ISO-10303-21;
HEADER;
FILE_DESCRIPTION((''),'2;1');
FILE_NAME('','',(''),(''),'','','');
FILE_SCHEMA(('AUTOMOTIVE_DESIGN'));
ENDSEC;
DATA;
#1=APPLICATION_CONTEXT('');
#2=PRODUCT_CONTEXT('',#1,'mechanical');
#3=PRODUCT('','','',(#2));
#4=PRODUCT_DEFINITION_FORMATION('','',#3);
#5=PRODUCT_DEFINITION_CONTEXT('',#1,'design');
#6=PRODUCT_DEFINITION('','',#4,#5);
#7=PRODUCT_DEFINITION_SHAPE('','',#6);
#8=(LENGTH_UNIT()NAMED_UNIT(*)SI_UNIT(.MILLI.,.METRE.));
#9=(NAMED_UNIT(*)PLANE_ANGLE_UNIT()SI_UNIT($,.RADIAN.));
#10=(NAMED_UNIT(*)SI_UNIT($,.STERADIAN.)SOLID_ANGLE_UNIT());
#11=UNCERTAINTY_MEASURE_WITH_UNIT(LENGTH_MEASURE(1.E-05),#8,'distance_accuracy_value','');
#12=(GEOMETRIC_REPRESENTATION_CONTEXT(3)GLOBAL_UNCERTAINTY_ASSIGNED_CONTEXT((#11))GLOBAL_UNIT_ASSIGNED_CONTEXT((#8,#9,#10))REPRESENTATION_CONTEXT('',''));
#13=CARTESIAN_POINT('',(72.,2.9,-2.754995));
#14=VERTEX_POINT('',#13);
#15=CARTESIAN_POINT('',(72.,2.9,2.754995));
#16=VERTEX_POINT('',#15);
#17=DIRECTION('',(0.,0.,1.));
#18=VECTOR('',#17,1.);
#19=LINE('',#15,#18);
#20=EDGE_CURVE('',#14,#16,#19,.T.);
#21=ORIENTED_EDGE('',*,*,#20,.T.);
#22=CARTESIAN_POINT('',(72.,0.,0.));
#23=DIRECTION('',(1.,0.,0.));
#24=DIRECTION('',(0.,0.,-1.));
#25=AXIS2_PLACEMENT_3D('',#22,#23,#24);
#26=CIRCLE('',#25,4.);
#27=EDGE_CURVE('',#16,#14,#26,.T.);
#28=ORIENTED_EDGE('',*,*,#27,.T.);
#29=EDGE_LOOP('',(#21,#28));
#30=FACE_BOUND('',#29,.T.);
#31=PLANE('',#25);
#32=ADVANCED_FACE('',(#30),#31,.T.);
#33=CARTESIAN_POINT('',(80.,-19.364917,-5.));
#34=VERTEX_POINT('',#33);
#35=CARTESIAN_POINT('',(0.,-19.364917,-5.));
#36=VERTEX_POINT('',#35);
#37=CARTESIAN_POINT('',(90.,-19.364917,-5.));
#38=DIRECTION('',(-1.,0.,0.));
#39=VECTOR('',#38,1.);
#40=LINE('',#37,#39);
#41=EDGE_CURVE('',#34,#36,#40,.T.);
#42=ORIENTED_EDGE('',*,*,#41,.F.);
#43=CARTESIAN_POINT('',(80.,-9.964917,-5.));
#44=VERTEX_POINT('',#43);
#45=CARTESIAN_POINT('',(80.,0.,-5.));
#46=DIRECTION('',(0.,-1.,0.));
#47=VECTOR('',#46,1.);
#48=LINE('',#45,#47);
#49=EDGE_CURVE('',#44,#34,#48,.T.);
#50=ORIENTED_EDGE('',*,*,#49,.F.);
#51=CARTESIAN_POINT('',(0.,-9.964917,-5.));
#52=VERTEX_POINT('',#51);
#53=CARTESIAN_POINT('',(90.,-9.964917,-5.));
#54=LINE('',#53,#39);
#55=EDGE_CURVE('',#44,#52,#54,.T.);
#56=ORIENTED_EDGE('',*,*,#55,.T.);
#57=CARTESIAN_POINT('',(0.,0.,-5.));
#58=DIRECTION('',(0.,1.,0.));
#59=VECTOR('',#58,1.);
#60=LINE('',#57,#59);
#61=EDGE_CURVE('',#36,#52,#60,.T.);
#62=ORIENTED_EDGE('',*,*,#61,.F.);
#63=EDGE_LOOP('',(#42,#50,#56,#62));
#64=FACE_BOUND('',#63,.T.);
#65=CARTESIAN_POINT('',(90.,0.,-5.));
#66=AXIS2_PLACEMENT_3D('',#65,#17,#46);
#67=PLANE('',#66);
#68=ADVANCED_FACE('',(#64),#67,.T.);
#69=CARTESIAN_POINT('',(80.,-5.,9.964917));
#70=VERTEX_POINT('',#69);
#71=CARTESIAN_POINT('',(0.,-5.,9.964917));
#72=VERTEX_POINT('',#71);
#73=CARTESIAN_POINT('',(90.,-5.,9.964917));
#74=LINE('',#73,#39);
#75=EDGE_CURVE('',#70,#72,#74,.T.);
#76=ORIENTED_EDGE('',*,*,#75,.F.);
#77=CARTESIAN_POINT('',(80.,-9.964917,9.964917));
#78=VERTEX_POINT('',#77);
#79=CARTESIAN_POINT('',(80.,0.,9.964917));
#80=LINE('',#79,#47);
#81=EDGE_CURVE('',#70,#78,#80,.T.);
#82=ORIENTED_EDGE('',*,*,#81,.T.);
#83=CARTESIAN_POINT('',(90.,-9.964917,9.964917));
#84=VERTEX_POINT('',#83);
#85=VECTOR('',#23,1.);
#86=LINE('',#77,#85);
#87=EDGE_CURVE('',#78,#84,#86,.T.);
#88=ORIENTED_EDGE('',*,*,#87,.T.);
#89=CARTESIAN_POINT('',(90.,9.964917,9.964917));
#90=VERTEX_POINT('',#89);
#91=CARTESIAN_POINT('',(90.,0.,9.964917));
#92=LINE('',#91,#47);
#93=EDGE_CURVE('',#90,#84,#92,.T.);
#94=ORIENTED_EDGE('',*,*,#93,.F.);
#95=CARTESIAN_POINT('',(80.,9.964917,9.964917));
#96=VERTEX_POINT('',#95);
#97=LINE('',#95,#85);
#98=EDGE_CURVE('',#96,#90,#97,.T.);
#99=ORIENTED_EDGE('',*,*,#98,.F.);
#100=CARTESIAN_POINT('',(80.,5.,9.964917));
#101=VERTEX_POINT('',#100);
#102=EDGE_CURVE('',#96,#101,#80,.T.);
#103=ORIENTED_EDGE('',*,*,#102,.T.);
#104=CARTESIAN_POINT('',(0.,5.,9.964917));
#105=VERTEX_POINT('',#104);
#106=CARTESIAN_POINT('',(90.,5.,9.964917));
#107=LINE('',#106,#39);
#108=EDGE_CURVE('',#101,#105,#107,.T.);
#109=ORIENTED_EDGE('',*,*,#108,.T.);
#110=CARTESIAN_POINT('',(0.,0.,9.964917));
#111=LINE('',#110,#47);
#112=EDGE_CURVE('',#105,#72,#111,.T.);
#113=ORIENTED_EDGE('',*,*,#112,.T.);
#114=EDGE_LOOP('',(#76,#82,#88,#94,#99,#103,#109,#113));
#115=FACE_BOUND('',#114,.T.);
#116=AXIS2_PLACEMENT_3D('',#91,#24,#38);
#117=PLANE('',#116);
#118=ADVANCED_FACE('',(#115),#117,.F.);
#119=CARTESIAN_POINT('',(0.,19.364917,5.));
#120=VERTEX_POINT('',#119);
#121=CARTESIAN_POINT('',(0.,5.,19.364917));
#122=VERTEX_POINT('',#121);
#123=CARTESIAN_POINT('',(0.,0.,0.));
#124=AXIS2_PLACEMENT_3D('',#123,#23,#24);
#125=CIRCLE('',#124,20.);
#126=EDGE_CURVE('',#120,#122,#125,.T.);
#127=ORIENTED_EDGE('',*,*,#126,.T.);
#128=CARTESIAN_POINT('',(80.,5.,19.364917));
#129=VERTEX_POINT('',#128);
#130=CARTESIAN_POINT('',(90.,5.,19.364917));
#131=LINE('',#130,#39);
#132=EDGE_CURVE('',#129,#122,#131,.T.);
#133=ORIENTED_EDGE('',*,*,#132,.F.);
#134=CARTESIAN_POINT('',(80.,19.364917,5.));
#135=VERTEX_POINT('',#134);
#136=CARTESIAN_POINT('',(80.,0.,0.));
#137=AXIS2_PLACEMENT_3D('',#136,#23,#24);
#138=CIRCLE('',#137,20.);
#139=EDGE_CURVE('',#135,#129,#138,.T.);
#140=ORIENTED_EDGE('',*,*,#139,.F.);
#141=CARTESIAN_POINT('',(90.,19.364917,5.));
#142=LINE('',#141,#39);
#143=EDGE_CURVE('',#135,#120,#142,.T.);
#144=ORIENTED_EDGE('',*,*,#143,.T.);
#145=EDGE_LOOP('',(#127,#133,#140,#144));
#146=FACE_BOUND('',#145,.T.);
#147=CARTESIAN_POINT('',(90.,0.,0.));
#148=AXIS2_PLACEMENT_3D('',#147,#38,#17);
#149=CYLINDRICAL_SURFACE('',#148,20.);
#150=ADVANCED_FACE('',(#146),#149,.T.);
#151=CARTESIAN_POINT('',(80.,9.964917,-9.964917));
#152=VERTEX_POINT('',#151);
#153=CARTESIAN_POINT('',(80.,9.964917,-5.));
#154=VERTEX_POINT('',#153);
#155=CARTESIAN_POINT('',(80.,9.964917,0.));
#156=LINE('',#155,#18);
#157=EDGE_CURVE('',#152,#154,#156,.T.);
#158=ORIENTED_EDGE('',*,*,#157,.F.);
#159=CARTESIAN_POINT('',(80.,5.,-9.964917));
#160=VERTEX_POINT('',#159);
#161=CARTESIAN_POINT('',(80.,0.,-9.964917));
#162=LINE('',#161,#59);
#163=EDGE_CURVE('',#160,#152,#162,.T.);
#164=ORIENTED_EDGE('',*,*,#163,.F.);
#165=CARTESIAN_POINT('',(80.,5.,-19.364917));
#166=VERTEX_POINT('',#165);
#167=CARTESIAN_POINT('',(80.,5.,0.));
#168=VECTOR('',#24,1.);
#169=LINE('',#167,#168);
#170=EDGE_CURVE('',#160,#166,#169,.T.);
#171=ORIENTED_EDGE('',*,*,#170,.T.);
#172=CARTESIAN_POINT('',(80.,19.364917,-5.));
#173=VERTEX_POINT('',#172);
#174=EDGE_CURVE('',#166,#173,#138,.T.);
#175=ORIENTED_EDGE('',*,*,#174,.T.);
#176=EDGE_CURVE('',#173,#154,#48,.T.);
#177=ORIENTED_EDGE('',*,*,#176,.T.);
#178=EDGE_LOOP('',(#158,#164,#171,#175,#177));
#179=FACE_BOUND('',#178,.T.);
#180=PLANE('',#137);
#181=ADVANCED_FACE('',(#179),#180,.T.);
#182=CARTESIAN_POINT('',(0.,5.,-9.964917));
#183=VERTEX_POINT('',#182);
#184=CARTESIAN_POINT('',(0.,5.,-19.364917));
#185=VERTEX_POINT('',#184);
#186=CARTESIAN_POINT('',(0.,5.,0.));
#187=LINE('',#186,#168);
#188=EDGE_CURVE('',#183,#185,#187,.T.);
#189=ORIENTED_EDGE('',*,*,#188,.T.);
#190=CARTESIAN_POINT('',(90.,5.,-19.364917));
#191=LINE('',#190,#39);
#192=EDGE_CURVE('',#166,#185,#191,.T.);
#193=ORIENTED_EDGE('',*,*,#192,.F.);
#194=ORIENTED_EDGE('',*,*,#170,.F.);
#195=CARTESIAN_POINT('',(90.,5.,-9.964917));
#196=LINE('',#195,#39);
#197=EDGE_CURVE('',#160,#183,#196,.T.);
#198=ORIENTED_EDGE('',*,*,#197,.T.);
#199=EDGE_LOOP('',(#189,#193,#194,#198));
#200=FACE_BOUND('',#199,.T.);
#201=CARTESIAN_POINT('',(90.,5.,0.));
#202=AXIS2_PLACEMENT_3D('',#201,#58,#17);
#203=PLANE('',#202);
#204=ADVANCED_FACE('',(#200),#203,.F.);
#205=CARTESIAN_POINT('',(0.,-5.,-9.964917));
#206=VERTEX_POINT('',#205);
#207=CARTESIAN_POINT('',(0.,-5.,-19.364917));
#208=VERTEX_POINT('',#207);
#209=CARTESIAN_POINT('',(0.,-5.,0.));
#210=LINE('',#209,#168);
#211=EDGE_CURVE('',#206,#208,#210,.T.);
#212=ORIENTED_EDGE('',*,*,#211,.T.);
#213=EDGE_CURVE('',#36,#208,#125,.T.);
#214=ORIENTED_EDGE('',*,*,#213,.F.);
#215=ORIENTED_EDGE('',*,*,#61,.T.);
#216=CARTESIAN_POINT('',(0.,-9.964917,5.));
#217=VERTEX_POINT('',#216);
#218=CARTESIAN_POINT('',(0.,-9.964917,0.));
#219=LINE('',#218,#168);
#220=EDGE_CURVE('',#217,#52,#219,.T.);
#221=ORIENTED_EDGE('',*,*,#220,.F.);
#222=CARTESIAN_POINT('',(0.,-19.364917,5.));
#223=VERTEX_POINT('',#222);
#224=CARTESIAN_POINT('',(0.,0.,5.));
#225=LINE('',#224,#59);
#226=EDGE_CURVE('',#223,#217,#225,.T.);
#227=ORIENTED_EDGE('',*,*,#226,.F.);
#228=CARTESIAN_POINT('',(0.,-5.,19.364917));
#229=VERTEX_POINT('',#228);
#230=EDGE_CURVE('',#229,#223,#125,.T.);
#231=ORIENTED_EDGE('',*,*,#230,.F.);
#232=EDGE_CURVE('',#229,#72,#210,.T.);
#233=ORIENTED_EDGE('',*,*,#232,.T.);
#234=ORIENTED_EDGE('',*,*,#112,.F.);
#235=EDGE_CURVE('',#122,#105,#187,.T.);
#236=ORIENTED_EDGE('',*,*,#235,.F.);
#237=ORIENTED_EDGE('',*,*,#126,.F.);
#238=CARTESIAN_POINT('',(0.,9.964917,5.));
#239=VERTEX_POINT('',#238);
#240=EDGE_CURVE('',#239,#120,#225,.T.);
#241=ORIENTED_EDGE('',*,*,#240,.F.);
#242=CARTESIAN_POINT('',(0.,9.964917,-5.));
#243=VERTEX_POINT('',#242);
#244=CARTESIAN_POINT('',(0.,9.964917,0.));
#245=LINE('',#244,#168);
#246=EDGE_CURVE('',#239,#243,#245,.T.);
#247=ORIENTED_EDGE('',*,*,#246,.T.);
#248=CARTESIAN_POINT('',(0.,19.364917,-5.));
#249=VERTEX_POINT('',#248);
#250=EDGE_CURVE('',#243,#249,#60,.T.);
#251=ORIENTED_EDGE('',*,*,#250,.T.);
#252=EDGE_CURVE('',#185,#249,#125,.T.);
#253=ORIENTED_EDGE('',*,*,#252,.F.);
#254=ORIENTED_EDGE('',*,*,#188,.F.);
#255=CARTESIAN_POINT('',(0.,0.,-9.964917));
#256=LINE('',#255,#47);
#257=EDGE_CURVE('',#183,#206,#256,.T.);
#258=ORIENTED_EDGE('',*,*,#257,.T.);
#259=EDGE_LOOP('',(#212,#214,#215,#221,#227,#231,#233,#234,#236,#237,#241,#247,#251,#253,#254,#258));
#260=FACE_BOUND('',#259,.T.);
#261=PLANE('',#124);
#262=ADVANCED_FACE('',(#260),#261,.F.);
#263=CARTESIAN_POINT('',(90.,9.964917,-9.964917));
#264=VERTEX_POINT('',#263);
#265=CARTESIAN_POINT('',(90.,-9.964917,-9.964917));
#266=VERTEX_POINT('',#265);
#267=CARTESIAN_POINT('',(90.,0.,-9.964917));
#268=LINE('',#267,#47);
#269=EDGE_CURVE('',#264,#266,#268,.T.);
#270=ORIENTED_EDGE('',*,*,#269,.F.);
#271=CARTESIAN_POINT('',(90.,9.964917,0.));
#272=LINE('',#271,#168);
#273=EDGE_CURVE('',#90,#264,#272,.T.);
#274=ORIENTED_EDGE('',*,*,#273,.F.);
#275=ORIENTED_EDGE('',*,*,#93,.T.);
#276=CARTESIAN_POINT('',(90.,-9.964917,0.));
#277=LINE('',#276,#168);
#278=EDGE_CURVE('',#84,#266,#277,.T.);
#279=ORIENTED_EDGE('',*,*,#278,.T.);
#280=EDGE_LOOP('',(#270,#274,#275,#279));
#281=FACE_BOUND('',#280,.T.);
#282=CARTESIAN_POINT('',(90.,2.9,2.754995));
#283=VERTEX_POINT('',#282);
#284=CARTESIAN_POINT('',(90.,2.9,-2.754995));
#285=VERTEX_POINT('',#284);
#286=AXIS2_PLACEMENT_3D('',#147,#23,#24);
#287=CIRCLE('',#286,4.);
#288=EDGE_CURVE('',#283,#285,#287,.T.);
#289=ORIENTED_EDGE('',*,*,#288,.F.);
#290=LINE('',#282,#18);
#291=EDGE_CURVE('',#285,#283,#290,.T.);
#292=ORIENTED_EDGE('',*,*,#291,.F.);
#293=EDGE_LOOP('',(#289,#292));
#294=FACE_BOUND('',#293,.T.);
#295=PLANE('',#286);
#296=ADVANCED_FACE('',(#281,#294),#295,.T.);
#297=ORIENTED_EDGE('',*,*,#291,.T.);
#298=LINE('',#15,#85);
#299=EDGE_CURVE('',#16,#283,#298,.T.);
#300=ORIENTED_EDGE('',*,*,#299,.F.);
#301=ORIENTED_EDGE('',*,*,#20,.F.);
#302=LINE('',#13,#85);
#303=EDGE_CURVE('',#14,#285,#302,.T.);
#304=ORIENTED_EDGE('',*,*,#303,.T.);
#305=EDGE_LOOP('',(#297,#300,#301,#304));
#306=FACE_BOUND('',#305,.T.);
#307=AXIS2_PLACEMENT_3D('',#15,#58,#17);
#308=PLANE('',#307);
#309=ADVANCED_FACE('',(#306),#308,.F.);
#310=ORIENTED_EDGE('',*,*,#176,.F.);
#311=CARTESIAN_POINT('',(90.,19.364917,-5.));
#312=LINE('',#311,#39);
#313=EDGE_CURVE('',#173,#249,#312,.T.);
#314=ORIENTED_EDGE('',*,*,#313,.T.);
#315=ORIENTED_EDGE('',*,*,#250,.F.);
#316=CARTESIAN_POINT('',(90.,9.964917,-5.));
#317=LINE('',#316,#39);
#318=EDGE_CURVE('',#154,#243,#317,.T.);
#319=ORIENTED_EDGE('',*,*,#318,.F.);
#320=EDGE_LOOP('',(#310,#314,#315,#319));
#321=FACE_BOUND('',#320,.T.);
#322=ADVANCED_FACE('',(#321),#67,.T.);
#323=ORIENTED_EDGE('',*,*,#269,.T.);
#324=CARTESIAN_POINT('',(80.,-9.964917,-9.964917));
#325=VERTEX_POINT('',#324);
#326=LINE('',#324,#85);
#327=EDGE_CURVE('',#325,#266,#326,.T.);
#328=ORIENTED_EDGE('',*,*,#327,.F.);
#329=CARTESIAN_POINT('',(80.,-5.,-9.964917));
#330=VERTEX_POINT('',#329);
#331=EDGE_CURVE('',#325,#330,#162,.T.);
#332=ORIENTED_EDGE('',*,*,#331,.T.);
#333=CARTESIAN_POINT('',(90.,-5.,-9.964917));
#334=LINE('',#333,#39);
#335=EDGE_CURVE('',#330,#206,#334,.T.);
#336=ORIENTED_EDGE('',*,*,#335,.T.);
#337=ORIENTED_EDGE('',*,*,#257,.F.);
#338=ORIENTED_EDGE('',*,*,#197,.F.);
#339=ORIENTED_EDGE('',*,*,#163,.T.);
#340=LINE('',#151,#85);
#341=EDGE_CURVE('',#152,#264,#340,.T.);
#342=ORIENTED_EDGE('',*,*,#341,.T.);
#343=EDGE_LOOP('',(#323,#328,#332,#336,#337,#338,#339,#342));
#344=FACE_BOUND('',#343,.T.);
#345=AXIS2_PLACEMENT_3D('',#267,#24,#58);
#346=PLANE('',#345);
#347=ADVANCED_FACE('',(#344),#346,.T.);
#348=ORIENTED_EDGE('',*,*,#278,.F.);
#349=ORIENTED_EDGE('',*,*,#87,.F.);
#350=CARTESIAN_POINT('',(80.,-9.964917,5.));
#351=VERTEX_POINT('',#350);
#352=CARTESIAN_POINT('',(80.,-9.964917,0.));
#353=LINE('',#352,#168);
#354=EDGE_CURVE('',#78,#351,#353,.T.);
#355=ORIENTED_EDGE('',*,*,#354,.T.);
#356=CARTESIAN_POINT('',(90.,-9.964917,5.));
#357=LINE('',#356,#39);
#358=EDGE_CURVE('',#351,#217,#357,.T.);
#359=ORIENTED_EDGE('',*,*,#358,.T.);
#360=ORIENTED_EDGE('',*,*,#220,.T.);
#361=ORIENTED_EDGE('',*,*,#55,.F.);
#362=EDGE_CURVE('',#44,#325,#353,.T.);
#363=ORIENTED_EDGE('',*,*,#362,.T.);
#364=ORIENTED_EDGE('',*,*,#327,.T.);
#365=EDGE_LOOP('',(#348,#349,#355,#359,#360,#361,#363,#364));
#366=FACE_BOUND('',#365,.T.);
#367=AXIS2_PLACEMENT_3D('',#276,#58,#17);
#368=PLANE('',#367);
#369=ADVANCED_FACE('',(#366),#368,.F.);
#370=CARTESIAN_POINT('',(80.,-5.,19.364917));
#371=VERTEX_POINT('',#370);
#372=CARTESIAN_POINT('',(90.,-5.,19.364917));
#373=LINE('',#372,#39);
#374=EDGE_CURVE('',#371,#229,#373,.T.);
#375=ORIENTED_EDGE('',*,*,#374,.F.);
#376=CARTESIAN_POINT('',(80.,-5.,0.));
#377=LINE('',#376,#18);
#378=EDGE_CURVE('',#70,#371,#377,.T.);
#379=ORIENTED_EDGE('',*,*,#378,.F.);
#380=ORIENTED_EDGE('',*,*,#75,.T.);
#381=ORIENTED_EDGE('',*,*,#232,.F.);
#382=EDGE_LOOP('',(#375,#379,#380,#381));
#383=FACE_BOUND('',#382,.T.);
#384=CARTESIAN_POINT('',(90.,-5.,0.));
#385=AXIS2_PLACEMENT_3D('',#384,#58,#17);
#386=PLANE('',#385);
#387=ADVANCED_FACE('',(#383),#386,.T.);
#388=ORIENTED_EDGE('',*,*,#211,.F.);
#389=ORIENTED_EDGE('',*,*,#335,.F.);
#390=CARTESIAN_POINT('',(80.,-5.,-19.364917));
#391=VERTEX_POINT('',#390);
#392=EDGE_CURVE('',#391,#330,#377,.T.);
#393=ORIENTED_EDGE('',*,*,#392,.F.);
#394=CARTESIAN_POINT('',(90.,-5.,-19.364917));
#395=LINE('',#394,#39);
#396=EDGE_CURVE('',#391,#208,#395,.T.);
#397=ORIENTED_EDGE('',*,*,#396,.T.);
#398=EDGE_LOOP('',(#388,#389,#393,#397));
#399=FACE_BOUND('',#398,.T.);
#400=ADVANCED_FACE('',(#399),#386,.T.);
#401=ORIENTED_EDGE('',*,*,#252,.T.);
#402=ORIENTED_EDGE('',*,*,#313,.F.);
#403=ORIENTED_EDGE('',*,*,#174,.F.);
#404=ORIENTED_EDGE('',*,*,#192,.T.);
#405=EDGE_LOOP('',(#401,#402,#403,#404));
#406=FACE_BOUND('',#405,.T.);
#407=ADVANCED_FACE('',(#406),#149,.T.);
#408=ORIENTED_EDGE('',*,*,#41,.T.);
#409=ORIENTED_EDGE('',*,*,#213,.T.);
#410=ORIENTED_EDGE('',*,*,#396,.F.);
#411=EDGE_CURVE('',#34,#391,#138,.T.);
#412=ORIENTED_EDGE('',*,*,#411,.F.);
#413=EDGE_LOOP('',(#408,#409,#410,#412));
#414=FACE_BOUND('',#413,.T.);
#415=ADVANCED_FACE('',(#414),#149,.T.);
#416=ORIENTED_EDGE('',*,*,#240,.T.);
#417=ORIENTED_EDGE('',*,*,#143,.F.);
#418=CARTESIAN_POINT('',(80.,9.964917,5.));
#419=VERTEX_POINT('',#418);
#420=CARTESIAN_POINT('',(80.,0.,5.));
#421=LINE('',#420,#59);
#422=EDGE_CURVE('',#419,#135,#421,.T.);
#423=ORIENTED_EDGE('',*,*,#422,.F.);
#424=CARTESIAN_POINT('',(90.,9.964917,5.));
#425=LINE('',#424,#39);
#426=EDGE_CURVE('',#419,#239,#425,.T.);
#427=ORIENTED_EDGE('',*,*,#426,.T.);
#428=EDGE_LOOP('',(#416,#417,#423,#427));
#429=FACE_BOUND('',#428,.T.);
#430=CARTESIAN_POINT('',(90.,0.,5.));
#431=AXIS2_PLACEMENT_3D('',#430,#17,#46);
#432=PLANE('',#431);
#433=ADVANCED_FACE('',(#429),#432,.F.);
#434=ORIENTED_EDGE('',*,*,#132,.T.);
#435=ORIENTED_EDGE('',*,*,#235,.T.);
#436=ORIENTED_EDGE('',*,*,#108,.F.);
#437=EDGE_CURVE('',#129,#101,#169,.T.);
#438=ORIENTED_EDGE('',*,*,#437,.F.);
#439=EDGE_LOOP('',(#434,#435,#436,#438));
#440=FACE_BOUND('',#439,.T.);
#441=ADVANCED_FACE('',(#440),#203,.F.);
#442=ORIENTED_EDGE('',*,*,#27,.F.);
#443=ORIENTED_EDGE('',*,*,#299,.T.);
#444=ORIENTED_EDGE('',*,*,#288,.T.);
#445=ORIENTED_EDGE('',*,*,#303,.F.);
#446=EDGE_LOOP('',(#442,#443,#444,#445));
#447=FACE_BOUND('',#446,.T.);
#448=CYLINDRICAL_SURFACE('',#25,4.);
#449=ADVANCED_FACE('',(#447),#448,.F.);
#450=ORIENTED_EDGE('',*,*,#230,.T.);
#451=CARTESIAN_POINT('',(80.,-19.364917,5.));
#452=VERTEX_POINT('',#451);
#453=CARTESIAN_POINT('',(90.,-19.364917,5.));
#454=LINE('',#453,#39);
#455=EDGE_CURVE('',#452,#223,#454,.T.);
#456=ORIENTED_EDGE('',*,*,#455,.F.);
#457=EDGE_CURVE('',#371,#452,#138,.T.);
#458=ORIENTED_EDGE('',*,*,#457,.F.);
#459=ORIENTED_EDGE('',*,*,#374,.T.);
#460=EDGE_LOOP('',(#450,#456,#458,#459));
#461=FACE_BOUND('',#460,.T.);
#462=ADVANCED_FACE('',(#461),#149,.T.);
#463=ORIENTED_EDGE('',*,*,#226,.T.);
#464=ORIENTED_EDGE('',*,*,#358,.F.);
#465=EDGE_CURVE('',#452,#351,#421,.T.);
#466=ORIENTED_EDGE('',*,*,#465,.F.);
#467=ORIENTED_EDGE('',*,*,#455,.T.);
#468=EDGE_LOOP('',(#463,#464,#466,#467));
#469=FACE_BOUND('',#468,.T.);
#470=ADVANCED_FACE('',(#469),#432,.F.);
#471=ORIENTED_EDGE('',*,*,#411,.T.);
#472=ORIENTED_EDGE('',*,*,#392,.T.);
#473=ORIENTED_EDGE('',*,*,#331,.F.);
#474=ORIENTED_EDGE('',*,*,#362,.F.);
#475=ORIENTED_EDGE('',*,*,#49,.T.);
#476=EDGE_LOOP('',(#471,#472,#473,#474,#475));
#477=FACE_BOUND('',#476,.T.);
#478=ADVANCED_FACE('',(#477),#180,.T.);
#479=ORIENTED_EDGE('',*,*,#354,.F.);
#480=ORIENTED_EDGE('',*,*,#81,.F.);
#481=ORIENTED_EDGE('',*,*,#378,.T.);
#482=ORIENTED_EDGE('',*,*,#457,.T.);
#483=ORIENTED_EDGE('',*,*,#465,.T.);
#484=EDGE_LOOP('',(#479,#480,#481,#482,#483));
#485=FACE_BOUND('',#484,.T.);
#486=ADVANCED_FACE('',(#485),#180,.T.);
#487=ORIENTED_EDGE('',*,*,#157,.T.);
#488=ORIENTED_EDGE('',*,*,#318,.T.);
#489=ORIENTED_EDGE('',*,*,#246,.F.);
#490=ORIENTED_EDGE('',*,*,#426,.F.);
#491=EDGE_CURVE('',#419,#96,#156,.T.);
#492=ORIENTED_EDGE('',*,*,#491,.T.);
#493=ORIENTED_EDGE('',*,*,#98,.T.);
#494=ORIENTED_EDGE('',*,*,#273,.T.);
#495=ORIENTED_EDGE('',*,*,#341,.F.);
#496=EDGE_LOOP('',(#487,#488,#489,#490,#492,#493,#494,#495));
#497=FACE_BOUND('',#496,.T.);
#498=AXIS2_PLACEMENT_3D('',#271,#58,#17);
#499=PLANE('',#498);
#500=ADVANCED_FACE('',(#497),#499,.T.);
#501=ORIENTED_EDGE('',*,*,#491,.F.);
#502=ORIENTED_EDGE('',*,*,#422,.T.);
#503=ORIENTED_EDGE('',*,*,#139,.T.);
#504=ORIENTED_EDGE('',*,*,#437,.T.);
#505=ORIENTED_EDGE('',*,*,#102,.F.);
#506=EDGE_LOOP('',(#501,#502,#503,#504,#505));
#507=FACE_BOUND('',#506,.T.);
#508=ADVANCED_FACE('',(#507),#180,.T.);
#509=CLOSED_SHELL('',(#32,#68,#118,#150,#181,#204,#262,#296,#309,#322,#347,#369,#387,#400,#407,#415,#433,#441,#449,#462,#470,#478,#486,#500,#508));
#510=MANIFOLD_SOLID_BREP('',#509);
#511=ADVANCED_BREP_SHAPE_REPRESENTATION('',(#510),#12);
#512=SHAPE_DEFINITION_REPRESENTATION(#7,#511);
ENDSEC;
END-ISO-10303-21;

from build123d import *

# Parameters (mm, degrees)
EXTRUDED_CONNECTOR_DEPTH = 90
KEY_CUT_DEPTH            = 18
CUT_EXTRUDE2_DEPTH       = 10


with BuildPart() as part:
    # Sketch1 → Extruded Connector (new body)
    with BuildSketch(Plane(origin=(0, 0, 0), x_dir=(0, 0, -1), z_dir=(1, 0, 0))):
        with BuildLine():
            ThreePointArc((-19.364916731, -5), (-14.142135624, -14.142135624), (-5, -19.364916731))
            Line((-5, -19.364916731), (-5, -9.964916731))
            Line((-5, -9.964916731), (5, -9.964916731))
            Line((5, -9.964916731), (5, -19.364916731))
            ThreePointArc((5, -19.364916731), (14.142135624, -14.142135624), (19.364916731, -5))
            Line((19.364916731, -5), (9.964916731, -5))
            Line((9.964916731, -5), (9.964916731, 5))
            Line((9.964916731, 5), (19.364916731, 5))
            ThreePointArc((19.364916731, 5), (14.142135624, 14.142135624), (5, 19.364916731))
            Line((5, 19.364916731), (5, 9.964916731))
            Line((5, 9.964916731), (-5, 9.964916731))
            Line((-5, 9.964916731), (-5, 19.364916731))
            ThreePointArc((-5, 19.364916731), (-14.142135624, 14.142135624), (-19.364916731, 5))
            Line((-19.364916731, 5), (-9.964916731, 5))
            Line((-9.964916731, 5), (-9.964916731, -5))
            Line((-9.964916731, -5), (-19.364916731, -5))
        make_face()
    extrude(amount=EXTRUDED_CONNECTOR_DEPTH)

    # Sketch10 → Key Cut (cut)
    with BuildSketch(Plane(origin=(90, 0, 0), x_dir=(0, 0, -1), z_dir=(1, 0, 0))):
        with BuildLine():
            Line((-2.754995463, 2.9), (2.754995463, 2.9))
            ThreePointArc((2.754995463, 2.9), (0, -4), (-2.754995463, 2.9))
        make_face()
    extrude(amount=-KEY_CUT_DEPTH, mode=Mode.SUBTRACT)

    # Sketch11 → Cut-Extrude2 (cut)
    with BuildSketch(Plane(origin=(90, 0, 0), x_dir=(0, 0, -1), z_dir=(1, 0, 0))):
        with BuildLine():
            Line((-9.964916731, 9.964916731), (-9.964916731, 5))
            Line((-9.964916731, 5), (-19.364916731, 5))
            ThreePointArc((-19.364916731, 5), (-14.142135624, 14.142135624), (-5, 19.364916731))
            Line((-5, 19.364916731), (-5, 9.964916731))
            Line((-5, 9.964916731), (-9.964916731, 9.964916731))
        make_face()
        with BuildLine():
            Line((9.964916731, 9.964916731), (5, 9.964916731))
            Line((5, 9.964916731), (5, 19.364916731))
            ThreePointArc((5, 19.364916731), (14.142135624, 14.142135624), (19.364916731, 5))
            Line((19.364916731, 5), (9.964916731, 5))
            Line((9.964916731, 5), (9.964916731, 9.964916731))
        make_face()
        with BuildLine():
            Line((9.964916731, -9.964916731), (9.964916731, -5))
            Line((9.964916731, -5), (19.364916731, -5))
            ThreePointArc((19.364916731, -5), (14.142135624, -14.142135624), (5, -19.364916731))
            Line((5, -19.364916731), (5, -9.964916731))
            Line((5, -9.964916731), (9.964916731, -9.964916731))
        make_face()
        with BuildLine():
            Line((-9.964916731, -9.964916731), (-5, -9.964916731))
            Line((-5, -9.964916731), (-5, -19.364916731))
            ThreePointArc((-5, -19.364916731), (-14.142135624, -14.142135624), (-19.364916731, -5))
            Line((-19.364916731, -5), (-9.964916731, -5))
            Line((-9.964916731, -5), (-9.964916731, -9.964916731))
        make_face()
    extrude(amount=-CUT_EXTRUDE2_DEPTH, mode=Mode.SUBTRACT)


solid = part.part
